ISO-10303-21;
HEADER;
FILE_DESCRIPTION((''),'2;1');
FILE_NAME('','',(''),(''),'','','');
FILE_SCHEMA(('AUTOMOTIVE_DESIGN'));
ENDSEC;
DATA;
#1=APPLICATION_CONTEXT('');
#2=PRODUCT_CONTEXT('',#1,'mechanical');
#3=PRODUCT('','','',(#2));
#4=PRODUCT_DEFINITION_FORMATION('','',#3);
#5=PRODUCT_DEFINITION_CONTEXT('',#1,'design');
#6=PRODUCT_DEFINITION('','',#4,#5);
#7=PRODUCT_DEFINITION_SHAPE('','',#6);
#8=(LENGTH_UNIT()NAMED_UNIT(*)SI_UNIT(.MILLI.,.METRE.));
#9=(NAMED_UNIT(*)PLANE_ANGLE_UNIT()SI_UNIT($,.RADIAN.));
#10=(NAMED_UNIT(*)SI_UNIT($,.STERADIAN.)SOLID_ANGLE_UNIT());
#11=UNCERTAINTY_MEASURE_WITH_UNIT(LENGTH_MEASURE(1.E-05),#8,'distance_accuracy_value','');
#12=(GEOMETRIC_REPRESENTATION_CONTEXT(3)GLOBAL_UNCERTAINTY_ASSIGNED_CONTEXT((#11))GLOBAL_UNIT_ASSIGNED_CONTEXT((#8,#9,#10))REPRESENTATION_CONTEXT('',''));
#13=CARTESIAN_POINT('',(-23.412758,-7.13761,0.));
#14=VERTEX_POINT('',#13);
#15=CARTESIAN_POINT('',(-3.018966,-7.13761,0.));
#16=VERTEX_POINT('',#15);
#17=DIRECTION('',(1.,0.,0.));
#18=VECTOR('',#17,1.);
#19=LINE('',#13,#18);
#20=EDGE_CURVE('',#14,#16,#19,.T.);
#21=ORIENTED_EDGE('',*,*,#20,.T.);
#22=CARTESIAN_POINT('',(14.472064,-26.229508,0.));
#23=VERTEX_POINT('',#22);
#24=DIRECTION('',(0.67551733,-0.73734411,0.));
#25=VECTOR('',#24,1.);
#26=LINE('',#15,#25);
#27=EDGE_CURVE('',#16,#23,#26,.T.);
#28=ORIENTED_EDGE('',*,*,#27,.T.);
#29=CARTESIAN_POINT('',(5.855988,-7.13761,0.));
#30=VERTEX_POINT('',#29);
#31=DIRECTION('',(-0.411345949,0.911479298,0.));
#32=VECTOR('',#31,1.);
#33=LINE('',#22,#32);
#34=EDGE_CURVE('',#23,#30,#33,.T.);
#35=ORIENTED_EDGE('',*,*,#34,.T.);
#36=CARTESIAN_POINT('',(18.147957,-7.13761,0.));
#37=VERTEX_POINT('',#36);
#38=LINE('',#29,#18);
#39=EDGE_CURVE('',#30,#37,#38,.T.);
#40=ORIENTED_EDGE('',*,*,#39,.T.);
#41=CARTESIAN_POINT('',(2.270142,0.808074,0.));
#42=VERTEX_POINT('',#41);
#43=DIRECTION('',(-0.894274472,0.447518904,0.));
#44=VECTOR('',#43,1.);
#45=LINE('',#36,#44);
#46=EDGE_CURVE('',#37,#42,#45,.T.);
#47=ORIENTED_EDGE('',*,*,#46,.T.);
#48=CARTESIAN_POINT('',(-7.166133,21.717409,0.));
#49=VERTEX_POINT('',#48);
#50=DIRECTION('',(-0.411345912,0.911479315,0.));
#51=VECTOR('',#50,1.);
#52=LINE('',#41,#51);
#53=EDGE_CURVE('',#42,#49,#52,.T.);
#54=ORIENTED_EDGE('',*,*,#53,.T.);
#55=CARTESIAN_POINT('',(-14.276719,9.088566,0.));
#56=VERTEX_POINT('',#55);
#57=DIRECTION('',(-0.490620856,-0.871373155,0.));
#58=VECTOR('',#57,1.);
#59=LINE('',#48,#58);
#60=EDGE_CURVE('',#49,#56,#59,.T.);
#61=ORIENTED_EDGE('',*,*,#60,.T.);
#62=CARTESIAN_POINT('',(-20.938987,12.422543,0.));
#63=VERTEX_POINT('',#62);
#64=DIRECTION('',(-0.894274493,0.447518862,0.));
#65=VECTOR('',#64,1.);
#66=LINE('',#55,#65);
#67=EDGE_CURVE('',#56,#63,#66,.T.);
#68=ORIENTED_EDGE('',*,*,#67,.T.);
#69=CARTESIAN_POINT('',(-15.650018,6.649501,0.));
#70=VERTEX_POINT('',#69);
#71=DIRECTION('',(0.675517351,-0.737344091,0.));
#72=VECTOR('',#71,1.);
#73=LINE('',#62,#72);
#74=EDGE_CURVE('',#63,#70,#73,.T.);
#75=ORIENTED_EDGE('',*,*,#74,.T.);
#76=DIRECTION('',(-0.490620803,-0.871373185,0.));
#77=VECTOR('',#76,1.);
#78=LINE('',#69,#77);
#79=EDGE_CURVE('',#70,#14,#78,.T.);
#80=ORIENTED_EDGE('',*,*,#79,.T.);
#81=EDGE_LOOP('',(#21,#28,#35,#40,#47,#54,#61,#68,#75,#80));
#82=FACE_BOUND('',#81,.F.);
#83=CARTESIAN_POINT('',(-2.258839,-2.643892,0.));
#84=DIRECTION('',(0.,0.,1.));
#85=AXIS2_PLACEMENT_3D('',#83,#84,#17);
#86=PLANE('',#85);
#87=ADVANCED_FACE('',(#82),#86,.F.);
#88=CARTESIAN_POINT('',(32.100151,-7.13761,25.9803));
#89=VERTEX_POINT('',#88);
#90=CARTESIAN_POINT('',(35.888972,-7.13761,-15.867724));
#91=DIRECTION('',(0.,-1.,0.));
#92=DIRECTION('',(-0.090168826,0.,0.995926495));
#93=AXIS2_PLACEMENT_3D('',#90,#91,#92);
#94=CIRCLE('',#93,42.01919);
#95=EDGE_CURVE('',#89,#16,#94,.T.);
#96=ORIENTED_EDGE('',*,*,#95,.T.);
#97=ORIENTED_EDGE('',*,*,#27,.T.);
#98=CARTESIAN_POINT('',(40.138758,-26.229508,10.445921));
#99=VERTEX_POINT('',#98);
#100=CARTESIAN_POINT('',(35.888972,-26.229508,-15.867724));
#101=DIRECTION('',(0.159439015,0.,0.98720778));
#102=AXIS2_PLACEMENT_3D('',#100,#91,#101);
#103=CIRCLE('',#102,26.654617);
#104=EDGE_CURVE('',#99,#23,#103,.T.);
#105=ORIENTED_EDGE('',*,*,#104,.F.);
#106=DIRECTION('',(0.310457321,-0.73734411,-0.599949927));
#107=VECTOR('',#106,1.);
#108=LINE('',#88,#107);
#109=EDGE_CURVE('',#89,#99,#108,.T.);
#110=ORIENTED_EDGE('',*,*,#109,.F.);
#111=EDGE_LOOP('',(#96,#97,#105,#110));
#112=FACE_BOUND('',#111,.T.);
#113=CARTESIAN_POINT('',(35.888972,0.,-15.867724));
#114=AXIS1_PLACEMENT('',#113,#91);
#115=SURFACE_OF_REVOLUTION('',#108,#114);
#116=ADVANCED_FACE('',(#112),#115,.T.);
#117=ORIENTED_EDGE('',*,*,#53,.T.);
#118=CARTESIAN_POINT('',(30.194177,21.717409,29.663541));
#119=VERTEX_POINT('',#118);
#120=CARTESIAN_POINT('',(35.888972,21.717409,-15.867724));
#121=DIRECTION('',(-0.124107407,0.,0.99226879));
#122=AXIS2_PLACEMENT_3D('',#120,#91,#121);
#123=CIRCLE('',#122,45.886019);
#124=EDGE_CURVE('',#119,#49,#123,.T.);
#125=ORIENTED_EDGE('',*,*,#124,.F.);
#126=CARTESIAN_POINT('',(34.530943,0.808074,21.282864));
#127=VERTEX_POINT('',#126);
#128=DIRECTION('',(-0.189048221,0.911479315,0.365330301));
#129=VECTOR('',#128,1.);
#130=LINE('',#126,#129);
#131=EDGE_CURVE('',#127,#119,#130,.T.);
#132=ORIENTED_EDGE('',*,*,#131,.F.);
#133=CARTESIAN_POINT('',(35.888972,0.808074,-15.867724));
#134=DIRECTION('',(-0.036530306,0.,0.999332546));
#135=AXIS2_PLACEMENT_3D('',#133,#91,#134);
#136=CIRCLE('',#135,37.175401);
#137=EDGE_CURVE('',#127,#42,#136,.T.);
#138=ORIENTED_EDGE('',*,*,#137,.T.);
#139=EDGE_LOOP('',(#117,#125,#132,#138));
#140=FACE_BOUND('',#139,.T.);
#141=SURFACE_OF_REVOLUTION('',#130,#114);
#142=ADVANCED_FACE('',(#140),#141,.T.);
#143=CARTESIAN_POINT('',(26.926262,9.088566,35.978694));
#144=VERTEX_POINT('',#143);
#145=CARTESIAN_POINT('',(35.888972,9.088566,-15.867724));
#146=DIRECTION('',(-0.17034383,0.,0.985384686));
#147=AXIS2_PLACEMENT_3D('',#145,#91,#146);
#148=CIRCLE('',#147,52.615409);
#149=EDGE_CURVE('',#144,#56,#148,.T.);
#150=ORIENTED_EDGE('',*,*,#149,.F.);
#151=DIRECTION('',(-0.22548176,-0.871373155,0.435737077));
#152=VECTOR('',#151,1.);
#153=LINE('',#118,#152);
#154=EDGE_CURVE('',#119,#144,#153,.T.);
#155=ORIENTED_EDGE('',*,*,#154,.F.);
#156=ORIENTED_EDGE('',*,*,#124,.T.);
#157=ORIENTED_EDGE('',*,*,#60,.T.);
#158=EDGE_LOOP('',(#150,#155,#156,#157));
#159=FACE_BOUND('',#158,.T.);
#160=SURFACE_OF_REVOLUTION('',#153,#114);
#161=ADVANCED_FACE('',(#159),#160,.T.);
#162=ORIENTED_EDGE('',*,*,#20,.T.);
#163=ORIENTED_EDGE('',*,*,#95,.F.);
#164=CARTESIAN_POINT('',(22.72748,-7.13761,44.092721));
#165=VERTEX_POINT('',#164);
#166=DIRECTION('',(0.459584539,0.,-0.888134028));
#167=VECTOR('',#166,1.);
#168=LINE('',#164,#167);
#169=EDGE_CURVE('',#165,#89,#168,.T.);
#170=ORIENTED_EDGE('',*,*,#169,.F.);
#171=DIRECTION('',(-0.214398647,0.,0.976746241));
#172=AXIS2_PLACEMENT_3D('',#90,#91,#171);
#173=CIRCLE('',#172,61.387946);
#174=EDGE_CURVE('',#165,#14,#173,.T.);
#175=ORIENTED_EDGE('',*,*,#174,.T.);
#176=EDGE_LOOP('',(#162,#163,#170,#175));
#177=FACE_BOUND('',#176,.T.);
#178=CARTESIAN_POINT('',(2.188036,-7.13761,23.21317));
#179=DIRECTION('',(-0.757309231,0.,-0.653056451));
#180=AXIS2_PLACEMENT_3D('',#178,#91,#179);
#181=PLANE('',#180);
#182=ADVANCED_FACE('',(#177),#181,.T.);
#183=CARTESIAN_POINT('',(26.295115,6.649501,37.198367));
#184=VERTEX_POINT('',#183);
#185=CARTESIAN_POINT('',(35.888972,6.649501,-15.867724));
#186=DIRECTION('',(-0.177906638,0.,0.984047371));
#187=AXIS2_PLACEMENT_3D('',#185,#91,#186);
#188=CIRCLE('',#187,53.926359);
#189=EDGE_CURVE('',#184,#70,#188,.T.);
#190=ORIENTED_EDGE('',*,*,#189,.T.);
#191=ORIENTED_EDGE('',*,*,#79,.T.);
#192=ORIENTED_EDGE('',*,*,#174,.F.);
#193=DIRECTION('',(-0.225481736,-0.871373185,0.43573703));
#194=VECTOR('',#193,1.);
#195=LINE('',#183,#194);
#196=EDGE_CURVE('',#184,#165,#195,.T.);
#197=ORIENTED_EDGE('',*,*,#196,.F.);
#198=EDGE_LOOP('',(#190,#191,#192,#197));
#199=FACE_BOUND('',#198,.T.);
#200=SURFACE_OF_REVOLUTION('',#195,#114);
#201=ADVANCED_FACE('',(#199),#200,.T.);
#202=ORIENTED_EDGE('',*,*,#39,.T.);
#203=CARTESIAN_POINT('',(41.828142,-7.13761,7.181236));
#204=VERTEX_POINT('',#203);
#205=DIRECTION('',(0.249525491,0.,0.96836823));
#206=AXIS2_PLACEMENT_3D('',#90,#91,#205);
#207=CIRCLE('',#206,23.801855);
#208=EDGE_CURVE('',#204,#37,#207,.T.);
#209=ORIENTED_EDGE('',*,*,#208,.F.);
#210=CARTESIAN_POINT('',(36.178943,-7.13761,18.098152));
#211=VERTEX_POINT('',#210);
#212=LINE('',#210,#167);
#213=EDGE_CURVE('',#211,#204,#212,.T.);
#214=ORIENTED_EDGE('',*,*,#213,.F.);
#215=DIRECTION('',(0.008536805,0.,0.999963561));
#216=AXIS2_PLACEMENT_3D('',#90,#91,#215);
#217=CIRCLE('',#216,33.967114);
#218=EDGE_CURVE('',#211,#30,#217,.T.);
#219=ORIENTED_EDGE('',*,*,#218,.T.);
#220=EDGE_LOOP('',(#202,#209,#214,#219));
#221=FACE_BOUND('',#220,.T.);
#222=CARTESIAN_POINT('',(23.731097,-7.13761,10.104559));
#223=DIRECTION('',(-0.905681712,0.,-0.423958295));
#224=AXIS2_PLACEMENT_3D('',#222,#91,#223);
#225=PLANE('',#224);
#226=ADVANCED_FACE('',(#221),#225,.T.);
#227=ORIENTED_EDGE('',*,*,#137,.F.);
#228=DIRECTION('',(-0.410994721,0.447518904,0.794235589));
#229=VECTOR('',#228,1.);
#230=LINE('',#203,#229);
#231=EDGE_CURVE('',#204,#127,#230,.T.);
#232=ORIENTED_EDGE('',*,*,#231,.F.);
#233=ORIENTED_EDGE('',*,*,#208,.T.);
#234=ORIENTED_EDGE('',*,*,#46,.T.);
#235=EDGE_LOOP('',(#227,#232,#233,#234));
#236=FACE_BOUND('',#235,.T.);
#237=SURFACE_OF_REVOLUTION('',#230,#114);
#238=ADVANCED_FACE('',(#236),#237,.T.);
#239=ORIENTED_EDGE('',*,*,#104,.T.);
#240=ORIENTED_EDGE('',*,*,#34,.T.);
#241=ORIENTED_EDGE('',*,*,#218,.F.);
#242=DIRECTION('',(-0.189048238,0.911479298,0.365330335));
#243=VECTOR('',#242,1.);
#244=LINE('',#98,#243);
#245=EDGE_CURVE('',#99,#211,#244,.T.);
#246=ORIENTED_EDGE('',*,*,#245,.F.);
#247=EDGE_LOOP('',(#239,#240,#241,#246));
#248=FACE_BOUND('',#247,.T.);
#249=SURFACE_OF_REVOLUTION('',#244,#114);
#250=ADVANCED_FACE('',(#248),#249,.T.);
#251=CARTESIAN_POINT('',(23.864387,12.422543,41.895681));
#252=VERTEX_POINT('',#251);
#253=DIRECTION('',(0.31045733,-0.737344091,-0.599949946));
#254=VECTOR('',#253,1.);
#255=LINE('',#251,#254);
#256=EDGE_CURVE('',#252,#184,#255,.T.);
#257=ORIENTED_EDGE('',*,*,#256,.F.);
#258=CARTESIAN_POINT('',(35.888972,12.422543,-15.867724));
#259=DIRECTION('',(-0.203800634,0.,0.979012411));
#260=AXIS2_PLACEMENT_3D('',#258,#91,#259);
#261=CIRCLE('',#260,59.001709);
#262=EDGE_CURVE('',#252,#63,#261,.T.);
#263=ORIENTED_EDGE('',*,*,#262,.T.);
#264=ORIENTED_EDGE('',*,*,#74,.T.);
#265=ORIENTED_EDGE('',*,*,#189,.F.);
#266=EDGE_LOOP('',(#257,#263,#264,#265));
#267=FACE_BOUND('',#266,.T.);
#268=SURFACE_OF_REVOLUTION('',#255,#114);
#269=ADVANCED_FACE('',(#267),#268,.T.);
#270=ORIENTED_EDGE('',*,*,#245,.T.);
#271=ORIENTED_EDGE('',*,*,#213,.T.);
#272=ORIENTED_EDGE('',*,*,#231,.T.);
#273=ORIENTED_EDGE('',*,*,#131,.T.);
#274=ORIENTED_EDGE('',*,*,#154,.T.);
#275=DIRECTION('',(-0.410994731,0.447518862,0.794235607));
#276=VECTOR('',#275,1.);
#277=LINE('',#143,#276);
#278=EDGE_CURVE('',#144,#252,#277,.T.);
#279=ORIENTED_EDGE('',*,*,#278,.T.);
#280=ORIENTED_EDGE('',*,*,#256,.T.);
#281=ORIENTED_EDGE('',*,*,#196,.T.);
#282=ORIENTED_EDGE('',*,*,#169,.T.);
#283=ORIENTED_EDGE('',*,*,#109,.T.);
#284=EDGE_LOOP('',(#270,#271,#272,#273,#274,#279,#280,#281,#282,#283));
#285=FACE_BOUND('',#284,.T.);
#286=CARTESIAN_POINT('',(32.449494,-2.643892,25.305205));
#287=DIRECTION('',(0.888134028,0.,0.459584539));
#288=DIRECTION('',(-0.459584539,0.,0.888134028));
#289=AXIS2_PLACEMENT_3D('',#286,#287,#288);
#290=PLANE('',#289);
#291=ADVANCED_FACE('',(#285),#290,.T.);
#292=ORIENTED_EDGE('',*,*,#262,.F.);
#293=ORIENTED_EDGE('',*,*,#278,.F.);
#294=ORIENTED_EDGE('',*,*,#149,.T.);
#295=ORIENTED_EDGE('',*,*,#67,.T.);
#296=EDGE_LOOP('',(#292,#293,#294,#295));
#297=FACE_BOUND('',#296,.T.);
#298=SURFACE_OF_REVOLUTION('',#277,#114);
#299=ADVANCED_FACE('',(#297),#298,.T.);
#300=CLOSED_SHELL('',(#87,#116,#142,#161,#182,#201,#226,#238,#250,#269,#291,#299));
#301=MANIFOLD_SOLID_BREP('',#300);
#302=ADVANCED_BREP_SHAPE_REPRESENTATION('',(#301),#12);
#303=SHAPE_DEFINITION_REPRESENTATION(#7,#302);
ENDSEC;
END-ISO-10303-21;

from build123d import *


with BuildPart() as f2:
    # F2: sweep along a path in F1
    with BuildLine(Plane.XZ) as f2_path:
        ThreePointArc((26.844461, 36.136772), (1.129716, 23.857141), (-14.454708, 0))
    # F0 (on Top) → F2 (sweep)
    with BuildSketch(Plane.XY):
        Polygon((-14.276719, 9.088566), (-20.938987, 12.422543), (-15.650018, 6.649501), (-23.412758, -7.13761), (-3.018966, -7.13761), (14.472064, -26.229508), (5.855988, -7.13761), (18.147957, -7.13761), (2.270142, 0.808074), (-7.166133, 21.717409), align=None)
    sweep(path=f2_path.line)


solid = f2.part
